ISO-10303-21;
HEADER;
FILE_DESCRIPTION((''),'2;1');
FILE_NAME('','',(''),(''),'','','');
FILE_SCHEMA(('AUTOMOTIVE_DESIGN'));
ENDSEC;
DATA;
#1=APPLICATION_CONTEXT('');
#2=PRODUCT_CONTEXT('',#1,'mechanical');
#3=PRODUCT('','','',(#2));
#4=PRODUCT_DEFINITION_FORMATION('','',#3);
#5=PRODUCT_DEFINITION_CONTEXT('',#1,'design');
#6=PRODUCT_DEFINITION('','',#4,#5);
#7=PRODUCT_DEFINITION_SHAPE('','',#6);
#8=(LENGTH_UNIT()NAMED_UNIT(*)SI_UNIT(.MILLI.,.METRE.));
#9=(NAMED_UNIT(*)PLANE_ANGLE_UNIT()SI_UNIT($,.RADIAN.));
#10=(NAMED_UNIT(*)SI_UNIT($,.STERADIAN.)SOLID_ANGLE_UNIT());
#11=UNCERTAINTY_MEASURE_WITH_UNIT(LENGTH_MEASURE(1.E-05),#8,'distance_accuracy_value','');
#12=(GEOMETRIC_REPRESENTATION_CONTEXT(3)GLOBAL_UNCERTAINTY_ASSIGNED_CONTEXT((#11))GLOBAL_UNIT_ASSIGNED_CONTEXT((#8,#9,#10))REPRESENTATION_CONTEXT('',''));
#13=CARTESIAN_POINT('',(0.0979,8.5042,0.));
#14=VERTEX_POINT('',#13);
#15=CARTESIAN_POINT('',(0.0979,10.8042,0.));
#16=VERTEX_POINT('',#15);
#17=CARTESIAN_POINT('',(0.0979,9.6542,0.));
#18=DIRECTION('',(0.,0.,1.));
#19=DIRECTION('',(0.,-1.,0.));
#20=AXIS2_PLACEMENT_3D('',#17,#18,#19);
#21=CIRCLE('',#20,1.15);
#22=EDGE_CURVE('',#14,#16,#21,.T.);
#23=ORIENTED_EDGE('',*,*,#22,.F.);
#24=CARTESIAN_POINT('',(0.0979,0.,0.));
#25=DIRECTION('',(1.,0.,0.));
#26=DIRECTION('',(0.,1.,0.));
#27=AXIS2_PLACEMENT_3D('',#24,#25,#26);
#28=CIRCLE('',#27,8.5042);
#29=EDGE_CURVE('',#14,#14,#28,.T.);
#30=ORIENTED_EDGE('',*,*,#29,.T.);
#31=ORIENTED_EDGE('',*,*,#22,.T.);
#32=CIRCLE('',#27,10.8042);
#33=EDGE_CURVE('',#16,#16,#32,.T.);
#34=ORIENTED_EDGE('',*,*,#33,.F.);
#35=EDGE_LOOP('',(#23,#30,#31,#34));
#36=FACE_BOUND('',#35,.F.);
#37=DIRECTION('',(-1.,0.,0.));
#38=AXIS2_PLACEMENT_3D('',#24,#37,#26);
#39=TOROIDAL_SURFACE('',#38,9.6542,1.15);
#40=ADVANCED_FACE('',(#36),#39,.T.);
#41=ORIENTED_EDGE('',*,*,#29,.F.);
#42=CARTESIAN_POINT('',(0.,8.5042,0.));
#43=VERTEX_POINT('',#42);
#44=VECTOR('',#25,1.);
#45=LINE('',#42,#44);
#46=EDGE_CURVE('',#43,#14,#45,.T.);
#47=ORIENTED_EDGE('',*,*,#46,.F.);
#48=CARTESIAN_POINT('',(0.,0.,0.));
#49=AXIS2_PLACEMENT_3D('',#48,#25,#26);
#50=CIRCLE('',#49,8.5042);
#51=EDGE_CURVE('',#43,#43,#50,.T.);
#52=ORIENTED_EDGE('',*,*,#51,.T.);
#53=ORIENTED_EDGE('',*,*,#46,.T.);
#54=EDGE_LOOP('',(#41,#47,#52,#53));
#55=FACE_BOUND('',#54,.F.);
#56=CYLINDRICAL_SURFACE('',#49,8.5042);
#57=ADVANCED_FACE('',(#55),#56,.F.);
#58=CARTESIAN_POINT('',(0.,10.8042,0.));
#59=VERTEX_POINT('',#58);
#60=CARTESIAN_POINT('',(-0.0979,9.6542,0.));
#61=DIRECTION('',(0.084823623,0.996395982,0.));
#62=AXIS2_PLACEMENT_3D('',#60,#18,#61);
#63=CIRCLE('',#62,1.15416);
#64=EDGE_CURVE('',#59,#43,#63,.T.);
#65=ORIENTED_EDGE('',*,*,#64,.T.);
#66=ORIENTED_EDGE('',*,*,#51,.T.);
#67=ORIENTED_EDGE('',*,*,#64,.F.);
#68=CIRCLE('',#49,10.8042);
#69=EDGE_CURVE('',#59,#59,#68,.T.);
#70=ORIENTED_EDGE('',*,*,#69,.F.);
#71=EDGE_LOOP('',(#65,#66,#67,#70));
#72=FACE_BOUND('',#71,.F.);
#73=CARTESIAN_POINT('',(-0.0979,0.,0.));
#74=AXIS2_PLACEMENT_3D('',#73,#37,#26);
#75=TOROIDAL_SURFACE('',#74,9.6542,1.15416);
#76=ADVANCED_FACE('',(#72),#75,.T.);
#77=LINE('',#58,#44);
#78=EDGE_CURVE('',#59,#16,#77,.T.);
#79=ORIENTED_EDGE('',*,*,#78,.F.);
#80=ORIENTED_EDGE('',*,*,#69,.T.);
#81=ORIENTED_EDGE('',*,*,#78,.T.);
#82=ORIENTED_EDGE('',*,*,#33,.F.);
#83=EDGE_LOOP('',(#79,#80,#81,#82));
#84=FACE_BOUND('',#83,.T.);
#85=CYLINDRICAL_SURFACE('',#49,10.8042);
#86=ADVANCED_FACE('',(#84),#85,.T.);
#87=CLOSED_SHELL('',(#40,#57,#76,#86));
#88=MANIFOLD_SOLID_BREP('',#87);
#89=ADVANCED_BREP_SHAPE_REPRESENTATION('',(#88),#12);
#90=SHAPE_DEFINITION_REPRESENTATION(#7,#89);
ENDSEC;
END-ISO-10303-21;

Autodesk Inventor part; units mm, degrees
ref_plane "YZ Plane" through (0, 0, 0) normal (1, 0, 0) x (0, 1, 0)
ref_plane "XZ Plane" through (0, 0, 0) normal (0, 1, 0) x (-1, 0, 0)
ref_plane "XY Plane" through (0, 0, 0) normal (0, 0, 1) x (1, 0, 0)
sketch "Skizze1" plane through (0, 0, 0) normal (0, 0, 1) x (1, 0, 0)
  line L0 (-1.7521, 0) -> (1.7479, 0) projected
  line L1 (0, -2.1617) -> (0, 12.97) projected
  arc A0 (0, 10.8042) -> (0, 8.5042) centre (-0.0979, 9.6542) ccw
  line L2 (0, 10.8042) -> (0.0979, 10.8042)
  line L3 (0, 8.5042) -> (0.0979, 8.5042)
  arc A1 (0.0979, 8.5042) -> (0.0979, 10.8042) centre (0.0979, 9.6542) ccw
  point P0 (0, 0)
  dimension "d2" = 17
  dimension "d4" = 2.3
  dimension "d5" = 2.5
revolve "Umdrehung2" add sketch "Skizze1" angle 360 about axis through (-10, 0, 0) along (1, 0, 0)
properties part number "O-Ring" material "Gummi, Silikon"
